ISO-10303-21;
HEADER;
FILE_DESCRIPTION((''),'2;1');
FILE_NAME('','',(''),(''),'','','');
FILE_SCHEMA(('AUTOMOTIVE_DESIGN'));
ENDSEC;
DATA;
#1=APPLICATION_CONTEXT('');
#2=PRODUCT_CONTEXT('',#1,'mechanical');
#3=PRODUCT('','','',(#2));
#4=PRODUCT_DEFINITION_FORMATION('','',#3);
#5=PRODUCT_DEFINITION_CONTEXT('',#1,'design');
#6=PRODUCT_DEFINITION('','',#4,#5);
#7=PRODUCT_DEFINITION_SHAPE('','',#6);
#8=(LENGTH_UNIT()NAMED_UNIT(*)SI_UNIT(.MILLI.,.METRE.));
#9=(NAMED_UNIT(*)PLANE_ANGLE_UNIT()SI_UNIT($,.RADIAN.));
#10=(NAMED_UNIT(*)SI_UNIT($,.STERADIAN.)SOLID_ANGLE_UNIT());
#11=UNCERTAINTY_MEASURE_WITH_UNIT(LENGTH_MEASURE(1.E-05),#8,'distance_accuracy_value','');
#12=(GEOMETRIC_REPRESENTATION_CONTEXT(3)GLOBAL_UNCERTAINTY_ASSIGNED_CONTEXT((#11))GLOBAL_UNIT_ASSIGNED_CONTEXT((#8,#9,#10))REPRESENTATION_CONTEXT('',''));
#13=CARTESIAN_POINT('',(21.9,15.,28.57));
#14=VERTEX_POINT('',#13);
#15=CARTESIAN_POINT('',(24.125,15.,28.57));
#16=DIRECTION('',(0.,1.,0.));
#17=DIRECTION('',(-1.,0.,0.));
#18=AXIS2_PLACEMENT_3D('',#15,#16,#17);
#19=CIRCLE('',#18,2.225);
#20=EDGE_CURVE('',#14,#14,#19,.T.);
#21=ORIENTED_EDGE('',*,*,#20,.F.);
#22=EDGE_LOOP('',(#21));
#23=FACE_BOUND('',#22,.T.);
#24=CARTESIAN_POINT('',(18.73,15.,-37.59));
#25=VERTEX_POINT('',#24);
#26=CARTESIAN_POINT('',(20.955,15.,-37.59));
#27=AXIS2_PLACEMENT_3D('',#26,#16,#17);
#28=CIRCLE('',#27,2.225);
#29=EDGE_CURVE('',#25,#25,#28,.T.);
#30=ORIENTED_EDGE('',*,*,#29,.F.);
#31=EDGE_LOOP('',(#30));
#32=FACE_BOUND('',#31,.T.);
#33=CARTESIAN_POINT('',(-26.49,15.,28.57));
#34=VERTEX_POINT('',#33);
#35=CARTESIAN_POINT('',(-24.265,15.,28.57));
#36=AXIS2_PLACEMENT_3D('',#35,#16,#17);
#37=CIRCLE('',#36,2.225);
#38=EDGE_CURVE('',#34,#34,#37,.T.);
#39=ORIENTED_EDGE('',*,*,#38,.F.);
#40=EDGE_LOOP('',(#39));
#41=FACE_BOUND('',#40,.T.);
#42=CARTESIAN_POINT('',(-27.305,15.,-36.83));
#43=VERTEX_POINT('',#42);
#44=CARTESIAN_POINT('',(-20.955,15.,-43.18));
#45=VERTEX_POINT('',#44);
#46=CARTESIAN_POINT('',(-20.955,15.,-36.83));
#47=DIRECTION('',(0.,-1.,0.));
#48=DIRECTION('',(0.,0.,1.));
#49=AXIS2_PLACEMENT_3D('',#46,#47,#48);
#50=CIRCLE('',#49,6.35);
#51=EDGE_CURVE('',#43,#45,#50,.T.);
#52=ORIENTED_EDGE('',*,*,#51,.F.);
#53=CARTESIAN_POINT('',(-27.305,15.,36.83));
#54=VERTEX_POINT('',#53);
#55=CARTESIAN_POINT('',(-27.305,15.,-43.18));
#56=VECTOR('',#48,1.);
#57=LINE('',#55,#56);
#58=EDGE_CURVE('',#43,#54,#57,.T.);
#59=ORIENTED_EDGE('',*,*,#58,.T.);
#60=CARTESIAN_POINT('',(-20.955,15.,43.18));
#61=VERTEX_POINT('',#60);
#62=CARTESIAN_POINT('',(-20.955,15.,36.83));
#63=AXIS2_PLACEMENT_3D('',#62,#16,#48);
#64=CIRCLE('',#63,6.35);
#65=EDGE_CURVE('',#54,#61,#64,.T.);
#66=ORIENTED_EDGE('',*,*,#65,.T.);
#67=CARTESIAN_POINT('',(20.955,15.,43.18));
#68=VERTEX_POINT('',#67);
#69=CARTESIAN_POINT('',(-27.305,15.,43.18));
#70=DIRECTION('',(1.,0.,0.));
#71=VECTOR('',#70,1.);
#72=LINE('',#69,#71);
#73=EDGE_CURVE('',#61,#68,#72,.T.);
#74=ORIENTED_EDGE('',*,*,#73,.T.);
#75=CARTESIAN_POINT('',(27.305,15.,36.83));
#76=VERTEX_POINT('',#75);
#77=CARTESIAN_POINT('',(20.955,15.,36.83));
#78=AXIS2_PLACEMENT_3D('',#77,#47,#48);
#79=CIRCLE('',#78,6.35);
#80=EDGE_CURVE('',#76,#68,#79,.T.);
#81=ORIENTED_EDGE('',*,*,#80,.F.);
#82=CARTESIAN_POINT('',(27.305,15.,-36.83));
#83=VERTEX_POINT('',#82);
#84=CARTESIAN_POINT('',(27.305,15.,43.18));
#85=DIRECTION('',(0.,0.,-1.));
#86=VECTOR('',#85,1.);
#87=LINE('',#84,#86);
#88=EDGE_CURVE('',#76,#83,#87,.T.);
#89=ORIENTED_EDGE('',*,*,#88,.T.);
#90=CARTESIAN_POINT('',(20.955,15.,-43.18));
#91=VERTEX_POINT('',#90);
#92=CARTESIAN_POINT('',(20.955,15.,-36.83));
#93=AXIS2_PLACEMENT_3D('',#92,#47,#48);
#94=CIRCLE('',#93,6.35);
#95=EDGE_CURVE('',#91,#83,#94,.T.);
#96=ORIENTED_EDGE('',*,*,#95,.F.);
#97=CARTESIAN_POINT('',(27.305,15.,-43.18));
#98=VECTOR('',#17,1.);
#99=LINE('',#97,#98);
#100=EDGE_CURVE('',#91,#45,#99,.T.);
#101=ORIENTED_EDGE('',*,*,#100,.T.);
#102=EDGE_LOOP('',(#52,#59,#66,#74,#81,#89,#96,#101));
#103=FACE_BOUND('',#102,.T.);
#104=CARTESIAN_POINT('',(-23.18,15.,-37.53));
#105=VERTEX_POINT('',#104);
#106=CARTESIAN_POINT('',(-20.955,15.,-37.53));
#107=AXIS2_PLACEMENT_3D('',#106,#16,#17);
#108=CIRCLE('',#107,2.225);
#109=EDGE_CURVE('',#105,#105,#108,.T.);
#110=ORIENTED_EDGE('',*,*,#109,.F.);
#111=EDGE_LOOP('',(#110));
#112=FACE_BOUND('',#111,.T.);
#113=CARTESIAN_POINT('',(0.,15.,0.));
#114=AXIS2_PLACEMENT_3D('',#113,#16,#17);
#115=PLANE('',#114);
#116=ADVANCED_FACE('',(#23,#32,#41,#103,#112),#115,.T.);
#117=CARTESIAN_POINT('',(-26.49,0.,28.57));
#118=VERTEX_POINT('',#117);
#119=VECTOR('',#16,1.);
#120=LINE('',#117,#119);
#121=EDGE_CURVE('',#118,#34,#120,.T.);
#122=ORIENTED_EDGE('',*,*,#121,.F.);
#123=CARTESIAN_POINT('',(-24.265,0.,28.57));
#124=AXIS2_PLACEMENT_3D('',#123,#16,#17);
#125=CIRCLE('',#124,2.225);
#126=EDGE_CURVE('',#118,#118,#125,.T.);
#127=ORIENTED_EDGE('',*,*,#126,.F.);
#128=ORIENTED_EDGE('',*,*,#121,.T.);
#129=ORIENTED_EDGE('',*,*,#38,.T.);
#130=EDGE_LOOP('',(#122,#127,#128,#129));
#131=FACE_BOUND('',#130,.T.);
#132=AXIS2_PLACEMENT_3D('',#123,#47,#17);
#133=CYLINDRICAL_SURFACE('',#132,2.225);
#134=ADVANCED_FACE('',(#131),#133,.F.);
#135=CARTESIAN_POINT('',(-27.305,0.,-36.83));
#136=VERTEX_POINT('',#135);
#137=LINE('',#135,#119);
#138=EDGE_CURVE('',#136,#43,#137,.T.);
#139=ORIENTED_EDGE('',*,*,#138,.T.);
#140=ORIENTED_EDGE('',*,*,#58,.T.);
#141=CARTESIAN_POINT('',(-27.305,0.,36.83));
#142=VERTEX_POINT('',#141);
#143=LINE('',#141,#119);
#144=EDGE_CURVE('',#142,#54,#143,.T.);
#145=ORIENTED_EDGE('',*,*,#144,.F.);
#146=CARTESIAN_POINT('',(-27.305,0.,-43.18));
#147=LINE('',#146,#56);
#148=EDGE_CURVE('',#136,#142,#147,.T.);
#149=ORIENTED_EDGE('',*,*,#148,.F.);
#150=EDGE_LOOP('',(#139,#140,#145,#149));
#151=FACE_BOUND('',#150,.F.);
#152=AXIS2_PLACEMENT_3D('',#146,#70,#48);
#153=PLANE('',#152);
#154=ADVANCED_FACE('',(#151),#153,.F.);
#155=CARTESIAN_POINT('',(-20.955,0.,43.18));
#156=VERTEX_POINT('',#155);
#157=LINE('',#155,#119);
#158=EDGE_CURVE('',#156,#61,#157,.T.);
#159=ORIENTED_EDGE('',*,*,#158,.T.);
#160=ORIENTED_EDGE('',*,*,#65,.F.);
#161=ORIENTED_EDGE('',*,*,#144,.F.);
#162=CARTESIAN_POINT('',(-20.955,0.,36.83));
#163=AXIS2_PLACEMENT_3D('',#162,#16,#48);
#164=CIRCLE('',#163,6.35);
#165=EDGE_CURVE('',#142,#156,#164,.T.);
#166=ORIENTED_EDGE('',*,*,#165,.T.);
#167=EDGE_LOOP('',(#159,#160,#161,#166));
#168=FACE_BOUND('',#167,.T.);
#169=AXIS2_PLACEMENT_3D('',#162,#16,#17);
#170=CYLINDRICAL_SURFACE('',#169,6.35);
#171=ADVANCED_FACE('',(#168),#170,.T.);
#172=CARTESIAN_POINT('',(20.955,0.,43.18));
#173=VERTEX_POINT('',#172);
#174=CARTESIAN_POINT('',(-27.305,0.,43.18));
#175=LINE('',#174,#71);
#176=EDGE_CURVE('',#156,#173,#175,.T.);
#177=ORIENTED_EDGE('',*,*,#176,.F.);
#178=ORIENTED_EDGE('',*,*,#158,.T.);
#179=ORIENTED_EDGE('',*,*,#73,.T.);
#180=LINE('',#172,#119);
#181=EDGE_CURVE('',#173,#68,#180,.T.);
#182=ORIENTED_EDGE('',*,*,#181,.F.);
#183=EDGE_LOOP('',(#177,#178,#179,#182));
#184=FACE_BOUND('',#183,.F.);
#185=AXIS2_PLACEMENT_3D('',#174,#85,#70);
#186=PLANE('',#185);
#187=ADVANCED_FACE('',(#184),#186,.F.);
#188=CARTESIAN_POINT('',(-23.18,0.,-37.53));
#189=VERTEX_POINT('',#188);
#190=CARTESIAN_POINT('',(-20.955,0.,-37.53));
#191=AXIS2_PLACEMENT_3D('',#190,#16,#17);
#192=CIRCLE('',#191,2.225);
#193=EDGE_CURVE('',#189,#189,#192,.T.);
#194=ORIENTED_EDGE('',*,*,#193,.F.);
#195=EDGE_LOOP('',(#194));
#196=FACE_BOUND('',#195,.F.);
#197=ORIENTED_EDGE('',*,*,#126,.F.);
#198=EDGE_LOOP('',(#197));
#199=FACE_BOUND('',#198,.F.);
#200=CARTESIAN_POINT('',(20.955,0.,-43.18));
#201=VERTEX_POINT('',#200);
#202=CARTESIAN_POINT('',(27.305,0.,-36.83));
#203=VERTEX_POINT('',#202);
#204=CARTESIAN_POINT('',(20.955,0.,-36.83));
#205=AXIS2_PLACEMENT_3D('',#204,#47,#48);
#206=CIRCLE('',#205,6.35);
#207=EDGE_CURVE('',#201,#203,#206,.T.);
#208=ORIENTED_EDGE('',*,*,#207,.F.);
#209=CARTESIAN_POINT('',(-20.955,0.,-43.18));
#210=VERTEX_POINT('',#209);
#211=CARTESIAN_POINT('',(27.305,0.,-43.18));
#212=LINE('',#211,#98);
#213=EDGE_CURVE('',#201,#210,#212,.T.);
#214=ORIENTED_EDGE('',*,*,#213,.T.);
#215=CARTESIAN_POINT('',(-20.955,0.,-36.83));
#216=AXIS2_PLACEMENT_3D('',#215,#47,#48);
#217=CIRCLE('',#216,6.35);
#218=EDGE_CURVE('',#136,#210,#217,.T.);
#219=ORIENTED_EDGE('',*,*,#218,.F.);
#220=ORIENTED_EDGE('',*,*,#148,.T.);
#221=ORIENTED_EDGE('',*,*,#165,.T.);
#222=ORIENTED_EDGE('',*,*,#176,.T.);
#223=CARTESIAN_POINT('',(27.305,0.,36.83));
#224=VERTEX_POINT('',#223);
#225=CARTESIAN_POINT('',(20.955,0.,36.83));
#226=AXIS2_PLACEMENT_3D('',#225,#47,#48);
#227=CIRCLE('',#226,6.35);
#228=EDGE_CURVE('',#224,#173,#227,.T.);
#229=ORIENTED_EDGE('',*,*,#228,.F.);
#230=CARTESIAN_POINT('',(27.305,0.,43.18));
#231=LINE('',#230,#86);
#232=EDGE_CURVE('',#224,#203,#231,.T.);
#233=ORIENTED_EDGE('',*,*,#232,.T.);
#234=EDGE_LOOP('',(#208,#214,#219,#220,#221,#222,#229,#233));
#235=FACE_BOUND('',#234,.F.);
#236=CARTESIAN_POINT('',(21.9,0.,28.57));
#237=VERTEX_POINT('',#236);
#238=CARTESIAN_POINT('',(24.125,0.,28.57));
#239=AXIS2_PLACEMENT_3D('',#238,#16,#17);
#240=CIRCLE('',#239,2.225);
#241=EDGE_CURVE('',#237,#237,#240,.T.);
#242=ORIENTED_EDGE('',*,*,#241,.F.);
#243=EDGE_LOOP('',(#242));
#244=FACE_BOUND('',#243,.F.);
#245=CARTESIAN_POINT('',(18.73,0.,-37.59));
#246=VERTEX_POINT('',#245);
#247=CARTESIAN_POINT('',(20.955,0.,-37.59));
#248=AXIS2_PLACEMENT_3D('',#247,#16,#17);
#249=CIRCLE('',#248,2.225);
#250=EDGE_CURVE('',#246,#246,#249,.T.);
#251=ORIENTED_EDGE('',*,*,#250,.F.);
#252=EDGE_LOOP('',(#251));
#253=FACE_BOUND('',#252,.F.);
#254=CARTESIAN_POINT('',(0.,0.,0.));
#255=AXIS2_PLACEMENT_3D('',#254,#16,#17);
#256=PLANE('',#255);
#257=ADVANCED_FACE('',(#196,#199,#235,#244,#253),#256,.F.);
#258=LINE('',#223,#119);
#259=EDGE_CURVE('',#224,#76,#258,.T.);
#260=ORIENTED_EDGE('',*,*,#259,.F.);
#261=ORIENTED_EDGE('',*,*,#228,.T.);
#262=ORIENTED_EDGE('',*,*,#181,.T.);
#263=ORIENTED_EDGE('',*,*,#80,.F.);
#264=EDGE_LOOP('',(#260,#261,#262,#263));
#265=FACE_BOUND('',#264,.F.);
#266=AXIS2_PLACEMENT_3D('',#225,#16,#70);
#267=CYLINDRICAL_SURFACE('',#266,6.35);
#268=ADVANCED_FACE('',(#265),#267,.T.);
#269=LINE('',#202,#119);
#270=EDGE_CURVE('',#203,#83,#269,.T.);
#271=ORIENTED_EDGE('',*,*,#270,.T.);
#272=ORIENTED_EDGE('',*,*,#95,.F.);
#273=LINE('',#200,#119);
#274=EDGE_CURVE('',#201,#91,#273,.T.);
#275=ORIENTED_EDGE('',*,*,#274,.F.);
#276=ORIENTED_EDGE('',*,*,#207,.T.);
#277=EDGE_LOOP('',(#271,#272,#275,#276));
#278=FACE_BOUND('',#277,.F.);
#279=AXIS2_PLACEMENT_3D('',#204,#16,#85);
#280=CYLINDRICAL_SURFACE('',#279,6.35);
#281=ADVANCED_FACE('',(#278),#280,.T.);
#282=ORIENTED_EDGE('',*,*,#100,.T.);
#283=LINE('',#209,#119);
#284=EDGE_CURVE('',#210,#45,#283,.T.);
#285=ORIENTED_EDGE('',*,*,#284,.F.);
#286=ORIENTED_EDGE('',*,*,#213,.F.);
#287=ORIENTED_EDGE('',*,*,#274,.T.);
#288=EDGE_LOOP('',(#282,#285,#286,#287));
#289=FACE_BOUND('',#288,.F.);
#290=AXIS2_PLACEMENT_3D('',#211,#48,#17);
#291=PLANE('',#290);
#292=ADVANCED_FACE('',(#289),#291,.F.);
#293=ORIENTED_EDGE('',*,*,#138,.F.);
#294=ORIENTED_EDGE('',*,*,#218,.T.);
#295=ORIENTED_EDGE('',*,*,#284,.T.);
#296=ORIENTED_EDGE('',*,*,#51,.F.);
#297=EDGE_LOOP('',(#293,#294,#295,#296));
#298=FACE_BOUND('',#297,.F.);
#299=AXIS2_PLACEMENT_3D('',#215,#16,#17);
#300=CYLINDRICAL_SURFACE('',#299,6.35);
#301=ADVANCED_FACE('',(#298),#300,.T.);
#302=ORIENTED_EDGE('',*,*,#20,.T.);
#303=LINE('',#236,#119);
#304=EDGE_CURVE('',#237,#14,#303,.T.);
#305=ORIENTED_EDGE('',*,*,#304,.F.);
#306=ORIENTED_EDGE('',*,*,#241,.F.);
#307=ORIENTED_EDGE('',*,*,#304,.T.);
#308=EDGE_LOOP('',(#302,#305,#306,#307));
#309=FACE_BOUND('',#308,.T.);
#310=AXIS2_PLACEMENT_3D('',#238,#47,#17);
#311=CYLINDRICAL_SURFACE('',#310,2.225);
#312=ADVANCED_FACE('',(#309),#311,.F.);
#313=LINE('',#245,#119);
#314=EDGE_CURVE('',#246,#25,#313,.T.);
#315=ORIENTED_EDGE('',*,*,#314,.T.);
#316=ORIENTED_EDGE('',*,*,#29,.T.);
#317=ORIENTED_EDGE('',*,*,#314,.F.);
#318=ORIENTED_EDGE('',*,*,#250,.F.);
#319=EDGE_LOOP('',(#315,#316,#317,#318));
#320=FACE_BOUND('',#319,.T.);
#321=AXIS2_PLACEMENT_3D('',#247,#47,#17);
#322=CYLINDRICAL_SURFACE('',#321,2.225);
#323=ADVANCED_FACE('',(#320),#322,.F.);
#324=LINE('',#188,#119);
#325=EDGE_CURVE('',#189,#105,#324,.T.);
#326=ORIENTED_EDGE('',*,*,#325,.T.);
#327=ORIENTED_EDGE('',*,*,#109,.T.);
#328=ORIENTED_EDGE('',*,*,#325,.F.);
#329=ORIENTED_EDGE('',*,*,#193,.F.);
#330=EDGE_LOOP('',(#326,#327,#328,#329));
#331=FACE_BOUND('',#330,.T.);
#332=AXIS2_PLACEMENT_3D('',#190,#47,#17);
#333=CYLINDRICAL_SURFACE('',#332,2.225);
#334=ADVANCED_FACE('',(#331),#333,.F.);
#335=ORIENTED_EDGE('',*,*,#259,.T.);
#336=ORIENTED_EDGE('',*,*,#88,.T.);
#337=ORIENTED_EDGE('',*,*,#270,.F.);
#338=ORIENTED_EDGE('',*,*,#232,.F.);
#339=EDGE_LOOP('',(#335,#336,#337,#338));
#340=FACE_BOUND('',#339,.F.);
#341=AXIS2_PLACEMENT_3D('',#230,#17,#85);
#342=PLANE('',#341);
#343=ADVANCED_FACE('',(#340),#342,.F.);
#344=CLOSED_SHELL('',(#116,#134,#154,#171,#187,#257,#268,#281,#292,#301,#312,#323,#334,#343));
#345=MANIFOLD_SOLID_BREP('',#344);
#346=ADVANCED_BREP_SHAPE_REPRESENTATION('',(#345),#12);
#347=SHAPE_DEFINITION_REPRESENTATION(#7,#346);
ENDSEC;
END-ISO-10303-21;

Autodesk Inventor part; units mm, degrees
ref_plane "YZ Plane" through (0, 0, 0) normal (1, 0, 0) x (0, 1, 0)
ref_plane "XZ Plane" through (0, 0, 0) normal (0, 1, 0) x (-1, 0, 0)
ref_plane "XY Plane" through (0, 0, 0) normal (0, 0, 1) x (1, 0, 0)
sketch "Sketch1" plane through (0, 0, 0) normal (0, 1, 0) x (-1, 0, 0)
  line L0 (27.305, 43.18) -> (-27.305, 43.18)
  line L1 (-27.305, 43.18) -> (-27.305, -43.18)
  line L2 (-27.305, -43.18) -> (27.305, -43.18)
  line L3 (27.305, -43.18) -> (27.305, 43.18)
  circle A0 centre (24.265, 28.57) radius 2.225
  circle A1 centre (-24.125, 28.57) radius 2.225
  circle A2 centre (20.955, -37.53) radius 2.225
  circle A3 centre (-20.955, -37.59) radius 2.225
  point P0 (0, 0)
  point P1 (27.305, 0)
  point P2 (0, -43.18)
  dimension "d0" = 86.36
  dimension "d1" = 54.61
  dimension "d2" = 4.45
  dimension "d3" = 4.45
  dimension "d4" = 4.45
  dimension "d5" = 4.45
  dimension "d6" = 48.39
  dimension "d7" = 14.61
  dimension "d8" = 3.18
  dimension "d9" = 41.91
  dimension "d10" = 6.35
  dimension "d11" = 5.59
  dimension "d12" = 66.1
extrude "Extrusion1" add sketch "Sketch1" along normal blind 15
fillet "Fillet1" radius 6.35 4 edges at (-27.305, 7.5, 43.18) (27.305, 7.5, 43.18) (27.305, 7.5, -43.18) (-27.305, 7.5, -43.18)
properties part number "bbb brick"
